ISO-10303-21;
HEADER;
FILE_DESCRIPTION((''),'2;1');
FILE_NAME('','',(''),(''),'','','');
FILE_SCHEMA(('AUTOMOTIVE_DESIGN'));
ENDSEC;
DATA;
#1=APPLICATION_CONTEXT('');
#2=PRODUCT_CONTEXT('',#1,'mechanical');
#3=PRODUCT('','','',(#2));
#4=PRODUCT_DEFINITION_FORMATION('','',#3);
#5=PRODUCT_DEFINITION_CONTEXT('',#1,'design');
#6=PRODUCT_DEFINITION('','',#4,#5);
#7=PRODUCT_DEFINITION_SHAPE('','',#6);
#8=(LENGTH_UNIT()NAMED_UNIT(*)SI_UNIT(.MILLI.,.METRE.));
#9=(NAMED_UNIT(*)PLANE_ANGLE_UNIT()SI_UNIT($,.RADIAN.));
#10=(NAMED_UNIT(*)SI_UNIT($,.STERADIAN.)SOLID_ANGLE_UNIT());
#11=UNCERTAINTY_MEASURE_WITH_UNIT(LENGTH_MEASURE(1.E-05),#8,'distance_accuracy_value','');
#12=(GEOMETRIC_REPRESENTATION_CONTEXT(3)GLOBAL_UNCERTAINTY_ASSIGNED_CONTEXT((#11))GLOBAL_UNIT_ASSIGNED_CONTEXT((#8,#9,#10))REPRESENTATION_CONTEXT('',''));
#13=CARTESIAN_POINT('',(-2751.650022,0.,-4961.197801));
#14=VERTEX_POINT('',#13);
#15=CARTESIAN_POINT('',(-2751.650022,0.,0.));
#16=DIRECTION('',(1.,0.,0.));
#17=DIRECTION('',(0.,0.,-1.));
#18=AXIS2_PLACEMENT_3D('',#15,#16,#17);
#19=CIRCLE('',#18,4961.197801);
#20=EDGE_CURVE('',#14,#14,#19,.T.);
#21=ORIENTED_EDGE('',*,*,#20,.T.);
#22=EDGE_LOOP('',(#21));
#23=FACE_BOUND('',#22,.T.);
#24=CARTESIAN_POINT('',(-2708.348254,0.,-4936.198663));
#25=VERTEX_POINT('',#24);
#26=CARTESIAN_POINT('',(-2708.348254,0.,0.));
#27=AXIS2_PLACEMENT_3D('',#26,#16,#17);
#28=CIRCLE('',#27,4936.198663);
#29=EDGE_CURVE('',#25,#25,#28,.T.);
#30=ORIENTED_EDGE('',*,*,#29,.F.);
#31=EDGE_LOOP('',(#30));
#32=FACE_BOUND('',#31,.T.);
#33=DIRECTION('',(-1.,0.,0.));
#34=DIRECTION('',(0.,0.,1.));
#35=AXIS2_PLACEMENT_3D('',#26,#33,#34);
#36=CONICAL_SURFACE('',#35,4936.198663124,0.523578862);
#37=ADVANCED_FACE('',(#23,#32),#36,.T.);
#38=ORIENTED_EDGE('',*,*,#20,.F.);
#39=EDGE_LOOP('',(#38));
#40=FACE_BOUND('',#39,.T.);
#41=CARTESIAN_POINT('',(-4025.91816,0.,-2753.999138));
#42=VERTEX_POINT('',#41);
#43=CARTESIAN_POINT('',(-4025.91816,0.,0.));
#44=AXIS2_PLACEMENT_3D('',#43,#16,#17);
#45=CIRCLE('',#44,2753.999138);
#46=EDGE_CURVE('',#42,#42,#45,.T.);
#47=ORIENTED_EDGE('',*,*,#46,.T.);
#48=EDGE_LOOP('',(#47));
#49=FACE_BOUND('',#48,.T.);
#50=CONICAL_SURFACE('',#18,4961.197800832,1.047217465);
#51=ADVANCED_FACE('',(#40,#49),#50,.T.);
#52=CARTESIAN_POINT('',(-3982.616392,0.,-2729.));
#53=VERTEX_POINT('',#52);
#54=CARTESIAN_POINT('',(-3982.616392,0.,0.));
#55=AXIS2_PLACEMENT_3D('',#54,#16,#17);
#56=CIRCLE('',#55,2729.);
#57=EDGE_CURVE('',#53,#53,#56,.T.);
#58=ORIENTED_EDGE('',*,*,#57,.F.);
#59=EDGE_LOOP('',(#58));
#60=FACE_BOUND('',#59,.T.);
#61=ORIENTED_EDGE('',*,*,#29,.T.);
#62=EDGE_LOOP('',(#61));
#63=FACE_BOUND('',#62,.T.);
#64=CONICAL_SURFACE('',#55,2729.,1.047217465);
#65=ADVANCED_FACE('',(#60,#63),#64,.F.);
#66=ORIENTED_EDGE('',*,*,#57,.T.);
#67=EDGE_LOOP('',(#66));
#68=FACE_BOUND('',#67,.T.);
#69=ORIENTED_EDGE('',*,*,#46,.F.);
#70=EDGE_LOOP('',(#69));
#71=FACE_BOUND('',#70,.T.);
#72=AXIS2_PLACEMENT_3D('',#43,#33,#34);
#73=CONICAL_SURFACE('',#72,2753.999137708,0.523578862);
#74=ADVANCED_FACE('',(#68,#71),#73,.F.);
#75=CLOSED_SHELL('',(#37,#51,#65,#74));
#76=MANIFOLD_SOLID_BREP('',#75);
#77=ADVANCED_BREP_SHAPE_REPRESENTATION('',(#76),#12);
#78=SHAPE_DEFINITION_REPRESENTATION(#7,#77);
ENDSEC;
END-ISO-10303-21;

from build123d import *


with BuildPart() as part:
    # Esboço1 → Revolução1 (revolve)
    with BuildSketch(Plane.XY):
        Polygon((-2751.650021719, 4961.197800832), (-2708.348253697, 4936.198663124), (-3982.616392143, 2729), (-4025.918160165, 2753.999137708), align=None)
    revolve(axis=Axis((0, 0, 0), (-1, 0, 0)))


solid = part.part
